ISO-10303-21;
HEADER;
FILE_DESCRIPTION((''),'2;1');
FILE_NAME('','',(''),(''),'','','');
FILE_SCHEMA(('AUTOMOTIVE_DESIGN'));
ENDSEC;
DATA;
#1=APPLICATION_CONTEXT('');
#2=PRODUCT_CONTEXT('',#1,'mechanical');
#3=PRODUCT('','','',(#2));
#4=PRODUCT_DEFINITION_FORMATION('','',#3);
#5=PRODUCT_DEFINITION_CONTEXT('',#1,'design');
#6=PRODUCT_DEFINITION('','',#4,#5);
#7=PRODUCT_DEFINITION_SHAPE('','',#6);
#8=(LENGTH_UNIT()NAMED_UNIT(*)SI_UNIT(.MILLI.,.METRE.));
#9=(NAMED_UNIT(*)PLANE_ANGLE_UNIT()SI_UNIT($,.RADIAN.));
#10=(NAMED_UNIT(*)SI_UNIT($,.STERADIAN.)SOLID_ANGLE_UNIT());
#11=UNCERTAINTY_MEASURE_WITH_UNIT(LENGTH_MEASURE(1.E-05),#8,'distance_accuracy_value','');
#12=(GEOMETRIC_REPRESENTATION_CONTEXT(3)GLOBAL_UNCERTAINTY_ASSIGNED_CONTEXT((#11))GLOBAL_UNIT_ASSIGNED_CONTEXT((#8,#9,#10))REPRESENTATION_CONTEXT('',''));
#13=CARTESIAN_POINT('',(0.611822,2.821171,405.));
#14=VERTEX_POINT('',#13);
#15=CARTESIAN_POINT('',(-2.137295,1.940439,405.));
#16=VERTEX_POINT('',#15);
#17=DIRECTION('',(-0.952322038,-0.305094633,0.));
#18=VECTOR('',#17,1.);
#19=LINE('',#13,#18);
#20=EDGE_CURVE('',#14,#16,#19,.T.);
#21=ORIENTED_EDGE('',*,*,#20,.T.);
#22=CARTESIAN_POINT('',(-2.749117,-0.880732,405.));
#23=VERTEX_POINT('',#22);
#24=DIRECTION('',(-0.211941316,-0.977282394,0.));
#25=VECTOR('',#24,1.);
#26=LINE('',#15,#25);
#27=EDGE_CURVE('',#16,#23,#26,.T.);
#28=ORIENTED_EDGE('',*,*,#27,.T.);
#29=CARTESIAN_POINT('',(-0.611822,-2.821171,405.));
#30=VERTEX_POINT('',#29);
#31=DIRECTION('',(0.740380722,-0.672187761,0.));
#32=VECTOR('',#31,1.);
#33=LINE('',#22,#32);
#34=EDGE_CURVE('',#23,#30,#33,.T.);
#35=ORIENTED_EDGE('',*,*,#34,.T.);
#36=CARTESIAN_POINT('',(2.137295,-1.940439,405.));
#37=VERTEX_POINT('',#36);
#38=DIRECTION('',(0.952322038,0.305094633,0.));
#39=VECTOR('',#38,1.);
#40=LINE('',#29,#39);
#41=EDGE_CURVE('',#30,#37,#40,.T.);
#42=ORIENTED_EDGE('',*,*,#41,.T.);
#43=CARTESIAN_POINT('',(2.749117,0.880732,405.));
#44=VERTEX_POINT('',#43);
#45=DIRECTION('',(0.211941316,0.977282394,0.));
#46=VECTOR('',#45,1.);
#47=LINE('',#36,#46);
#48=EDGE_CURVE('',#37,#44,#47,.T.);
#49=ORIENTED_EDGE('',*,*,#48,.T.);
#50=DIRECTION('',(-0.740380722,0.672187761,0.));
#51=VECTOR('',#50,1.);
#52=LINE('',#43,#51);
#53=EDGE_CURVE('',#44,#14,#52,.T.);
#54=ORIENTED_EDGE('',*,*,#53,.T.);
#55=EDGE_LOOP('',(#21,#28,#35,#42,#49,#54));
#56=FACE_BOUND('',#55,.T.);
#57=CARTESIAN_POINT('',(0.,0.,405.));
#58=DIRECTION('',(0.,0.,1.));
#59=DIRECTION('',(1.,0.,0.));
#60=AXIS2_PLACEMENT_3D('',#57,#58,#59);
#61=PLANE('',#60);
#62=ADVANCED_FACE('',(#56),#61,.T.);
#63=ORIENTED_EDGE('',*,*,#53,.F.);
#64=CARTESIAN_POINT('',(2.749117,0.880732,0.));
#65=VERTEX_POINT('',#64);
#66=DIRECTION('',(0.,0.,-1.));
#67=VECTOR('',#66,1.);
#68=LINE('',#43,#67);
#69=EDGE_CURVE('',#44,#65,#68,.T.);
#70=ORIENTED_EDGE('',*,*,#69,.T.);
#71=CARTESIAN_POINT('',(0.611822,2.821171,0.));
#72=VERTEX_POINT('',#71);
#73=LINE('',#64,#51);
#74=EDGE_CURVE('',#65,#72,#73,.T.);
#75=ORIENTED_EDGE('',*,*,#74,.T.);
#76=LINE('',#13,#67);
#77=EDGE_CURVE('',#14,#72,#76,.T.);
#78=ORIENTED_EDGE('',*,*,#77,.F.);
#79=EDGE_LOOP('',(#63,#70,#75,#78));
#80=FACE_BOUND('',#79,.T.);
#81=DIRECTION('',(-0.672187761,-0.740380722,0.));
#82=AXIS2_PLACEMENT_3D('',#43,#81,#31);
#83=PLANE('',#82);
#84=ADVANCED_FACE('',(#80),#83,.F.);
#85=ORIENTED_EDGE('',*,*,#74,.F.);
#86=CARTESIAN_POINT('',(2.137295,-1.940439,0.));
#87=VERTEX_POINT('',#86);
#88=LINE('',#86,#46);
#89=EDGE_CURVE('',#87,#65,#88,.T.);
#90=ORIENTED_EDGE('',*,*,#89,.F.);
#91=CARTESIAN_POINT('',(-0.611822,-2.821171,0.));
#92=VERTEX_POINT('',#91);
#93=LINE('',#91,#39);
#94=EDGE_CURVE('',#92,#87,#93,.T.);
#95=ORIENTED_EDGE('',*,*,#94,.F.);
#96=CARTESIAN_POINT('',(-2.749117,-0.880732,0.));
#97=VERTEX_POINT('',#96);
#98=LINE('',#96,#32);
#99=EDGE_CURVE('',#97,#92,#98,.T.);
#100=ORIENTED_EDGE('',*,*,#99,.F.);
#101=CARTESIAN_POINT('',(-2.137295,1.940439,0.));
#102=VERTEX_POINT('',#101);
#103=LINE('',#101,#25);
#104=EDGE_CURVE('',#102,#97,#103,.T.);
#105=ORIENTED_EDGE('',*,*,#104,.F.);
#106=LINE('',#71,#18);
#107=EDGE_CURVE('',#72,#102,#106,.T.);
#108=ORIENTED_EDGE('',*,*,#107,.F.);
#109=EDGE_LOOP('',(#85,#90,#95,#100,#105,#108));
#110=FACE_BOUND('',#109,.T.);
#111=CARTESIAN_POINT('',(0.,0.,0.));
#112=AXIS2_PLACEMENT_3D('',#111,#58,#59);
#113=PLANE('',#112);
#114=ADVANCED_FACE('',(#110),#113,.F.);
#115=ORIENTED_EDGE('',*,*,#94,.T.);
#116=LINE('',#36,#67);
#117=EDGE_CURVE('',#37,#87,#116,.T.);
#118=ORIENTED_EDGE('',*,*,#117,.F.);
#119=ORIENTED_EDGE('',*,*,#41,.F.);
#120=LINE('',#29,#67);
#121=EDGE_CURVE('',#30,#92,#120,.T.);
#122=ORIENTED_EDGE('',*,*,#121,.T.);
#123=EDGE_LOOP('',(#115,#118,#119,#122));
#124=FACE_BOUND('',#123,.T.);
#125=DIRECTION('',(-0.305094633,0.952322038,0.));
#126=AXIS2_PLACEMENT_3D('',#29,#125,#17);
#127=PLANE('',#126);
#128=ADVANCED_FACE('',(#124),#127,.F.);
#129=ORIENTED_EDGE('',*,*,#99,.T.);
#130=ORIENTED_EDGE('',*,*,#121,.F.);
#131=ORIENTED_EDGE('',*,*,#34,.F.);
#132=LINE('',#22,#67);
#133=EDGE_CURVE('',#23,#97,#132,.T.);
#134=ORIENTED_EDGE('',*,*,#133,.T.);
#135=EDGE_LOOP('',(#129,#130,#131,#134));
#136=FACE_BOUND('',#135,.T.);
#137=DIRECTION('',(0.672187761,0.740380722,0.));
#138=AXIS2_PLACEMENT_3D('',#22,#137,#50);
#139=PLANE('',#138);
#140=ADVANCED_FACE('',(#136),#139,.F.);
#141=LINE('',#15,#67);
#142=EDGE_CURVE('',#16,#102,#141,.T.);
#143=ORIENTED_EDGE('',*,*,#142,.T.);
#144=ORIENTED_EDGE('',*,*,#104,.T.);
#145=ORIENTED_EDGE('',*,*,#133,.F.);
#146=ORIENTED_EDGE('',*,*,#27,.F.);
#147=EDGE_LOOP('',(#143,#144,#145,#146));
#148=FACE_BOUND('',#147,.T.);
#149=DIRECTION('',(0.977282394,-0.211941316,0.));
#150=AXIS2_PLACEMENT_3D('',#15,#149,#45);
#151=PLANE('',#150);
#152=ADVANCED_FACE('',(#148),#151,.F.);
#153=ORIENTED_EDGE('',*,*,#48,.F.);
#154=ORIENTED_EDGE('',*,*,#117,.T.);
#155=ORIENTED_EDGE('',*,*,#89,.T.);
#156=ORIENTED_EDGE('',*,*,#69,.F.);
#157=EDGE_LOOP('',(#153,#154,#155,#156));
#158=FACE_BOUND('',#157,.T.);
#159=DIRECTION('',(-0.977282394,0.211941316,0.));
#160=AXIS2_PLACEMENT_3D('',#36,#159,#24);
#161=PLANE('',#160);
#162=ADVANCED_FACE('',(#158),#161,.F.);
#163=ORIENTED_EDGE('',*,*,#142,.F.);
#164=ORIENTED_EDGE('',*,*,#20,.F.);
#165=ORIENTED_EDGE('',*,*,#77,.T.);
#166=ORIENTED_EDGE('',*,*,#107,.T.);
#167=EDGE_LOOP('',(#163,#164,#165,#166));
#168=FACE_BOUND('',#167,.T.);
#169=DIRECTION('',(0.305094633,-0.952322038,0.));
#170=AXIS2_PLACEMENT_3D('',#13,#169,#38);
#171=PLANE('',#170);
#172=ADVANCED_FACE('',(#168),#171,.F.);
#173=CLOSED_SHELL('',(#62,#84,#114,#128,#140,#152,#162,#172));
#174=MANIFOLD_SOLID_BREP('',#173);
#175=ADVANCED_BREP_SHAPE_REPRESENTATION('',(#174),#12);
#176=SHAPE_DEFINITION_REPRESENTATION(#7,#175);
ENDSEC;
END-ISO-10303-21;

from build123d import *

# Parameters (mm, degrees)
BOSS_EXTRUDE1_DEPTH = 405


with BuildPart() as part:
    # Sketch1 → Boss-Extrude1 (new body)
    with BuildSketch(Plane.XY):
        Polygon((2.137295047, -1.940438924), (2.749116926, 0.880732344), (0.611821879, 2.821171268), (-2.137295047, 1.940438924), (-2.749116926, -0.880732344), (-0.611821879, -2.821171268), align=None)
    extrude(amount=BOSS_EXTRUDE1_DEPTH)


solid = part.part
